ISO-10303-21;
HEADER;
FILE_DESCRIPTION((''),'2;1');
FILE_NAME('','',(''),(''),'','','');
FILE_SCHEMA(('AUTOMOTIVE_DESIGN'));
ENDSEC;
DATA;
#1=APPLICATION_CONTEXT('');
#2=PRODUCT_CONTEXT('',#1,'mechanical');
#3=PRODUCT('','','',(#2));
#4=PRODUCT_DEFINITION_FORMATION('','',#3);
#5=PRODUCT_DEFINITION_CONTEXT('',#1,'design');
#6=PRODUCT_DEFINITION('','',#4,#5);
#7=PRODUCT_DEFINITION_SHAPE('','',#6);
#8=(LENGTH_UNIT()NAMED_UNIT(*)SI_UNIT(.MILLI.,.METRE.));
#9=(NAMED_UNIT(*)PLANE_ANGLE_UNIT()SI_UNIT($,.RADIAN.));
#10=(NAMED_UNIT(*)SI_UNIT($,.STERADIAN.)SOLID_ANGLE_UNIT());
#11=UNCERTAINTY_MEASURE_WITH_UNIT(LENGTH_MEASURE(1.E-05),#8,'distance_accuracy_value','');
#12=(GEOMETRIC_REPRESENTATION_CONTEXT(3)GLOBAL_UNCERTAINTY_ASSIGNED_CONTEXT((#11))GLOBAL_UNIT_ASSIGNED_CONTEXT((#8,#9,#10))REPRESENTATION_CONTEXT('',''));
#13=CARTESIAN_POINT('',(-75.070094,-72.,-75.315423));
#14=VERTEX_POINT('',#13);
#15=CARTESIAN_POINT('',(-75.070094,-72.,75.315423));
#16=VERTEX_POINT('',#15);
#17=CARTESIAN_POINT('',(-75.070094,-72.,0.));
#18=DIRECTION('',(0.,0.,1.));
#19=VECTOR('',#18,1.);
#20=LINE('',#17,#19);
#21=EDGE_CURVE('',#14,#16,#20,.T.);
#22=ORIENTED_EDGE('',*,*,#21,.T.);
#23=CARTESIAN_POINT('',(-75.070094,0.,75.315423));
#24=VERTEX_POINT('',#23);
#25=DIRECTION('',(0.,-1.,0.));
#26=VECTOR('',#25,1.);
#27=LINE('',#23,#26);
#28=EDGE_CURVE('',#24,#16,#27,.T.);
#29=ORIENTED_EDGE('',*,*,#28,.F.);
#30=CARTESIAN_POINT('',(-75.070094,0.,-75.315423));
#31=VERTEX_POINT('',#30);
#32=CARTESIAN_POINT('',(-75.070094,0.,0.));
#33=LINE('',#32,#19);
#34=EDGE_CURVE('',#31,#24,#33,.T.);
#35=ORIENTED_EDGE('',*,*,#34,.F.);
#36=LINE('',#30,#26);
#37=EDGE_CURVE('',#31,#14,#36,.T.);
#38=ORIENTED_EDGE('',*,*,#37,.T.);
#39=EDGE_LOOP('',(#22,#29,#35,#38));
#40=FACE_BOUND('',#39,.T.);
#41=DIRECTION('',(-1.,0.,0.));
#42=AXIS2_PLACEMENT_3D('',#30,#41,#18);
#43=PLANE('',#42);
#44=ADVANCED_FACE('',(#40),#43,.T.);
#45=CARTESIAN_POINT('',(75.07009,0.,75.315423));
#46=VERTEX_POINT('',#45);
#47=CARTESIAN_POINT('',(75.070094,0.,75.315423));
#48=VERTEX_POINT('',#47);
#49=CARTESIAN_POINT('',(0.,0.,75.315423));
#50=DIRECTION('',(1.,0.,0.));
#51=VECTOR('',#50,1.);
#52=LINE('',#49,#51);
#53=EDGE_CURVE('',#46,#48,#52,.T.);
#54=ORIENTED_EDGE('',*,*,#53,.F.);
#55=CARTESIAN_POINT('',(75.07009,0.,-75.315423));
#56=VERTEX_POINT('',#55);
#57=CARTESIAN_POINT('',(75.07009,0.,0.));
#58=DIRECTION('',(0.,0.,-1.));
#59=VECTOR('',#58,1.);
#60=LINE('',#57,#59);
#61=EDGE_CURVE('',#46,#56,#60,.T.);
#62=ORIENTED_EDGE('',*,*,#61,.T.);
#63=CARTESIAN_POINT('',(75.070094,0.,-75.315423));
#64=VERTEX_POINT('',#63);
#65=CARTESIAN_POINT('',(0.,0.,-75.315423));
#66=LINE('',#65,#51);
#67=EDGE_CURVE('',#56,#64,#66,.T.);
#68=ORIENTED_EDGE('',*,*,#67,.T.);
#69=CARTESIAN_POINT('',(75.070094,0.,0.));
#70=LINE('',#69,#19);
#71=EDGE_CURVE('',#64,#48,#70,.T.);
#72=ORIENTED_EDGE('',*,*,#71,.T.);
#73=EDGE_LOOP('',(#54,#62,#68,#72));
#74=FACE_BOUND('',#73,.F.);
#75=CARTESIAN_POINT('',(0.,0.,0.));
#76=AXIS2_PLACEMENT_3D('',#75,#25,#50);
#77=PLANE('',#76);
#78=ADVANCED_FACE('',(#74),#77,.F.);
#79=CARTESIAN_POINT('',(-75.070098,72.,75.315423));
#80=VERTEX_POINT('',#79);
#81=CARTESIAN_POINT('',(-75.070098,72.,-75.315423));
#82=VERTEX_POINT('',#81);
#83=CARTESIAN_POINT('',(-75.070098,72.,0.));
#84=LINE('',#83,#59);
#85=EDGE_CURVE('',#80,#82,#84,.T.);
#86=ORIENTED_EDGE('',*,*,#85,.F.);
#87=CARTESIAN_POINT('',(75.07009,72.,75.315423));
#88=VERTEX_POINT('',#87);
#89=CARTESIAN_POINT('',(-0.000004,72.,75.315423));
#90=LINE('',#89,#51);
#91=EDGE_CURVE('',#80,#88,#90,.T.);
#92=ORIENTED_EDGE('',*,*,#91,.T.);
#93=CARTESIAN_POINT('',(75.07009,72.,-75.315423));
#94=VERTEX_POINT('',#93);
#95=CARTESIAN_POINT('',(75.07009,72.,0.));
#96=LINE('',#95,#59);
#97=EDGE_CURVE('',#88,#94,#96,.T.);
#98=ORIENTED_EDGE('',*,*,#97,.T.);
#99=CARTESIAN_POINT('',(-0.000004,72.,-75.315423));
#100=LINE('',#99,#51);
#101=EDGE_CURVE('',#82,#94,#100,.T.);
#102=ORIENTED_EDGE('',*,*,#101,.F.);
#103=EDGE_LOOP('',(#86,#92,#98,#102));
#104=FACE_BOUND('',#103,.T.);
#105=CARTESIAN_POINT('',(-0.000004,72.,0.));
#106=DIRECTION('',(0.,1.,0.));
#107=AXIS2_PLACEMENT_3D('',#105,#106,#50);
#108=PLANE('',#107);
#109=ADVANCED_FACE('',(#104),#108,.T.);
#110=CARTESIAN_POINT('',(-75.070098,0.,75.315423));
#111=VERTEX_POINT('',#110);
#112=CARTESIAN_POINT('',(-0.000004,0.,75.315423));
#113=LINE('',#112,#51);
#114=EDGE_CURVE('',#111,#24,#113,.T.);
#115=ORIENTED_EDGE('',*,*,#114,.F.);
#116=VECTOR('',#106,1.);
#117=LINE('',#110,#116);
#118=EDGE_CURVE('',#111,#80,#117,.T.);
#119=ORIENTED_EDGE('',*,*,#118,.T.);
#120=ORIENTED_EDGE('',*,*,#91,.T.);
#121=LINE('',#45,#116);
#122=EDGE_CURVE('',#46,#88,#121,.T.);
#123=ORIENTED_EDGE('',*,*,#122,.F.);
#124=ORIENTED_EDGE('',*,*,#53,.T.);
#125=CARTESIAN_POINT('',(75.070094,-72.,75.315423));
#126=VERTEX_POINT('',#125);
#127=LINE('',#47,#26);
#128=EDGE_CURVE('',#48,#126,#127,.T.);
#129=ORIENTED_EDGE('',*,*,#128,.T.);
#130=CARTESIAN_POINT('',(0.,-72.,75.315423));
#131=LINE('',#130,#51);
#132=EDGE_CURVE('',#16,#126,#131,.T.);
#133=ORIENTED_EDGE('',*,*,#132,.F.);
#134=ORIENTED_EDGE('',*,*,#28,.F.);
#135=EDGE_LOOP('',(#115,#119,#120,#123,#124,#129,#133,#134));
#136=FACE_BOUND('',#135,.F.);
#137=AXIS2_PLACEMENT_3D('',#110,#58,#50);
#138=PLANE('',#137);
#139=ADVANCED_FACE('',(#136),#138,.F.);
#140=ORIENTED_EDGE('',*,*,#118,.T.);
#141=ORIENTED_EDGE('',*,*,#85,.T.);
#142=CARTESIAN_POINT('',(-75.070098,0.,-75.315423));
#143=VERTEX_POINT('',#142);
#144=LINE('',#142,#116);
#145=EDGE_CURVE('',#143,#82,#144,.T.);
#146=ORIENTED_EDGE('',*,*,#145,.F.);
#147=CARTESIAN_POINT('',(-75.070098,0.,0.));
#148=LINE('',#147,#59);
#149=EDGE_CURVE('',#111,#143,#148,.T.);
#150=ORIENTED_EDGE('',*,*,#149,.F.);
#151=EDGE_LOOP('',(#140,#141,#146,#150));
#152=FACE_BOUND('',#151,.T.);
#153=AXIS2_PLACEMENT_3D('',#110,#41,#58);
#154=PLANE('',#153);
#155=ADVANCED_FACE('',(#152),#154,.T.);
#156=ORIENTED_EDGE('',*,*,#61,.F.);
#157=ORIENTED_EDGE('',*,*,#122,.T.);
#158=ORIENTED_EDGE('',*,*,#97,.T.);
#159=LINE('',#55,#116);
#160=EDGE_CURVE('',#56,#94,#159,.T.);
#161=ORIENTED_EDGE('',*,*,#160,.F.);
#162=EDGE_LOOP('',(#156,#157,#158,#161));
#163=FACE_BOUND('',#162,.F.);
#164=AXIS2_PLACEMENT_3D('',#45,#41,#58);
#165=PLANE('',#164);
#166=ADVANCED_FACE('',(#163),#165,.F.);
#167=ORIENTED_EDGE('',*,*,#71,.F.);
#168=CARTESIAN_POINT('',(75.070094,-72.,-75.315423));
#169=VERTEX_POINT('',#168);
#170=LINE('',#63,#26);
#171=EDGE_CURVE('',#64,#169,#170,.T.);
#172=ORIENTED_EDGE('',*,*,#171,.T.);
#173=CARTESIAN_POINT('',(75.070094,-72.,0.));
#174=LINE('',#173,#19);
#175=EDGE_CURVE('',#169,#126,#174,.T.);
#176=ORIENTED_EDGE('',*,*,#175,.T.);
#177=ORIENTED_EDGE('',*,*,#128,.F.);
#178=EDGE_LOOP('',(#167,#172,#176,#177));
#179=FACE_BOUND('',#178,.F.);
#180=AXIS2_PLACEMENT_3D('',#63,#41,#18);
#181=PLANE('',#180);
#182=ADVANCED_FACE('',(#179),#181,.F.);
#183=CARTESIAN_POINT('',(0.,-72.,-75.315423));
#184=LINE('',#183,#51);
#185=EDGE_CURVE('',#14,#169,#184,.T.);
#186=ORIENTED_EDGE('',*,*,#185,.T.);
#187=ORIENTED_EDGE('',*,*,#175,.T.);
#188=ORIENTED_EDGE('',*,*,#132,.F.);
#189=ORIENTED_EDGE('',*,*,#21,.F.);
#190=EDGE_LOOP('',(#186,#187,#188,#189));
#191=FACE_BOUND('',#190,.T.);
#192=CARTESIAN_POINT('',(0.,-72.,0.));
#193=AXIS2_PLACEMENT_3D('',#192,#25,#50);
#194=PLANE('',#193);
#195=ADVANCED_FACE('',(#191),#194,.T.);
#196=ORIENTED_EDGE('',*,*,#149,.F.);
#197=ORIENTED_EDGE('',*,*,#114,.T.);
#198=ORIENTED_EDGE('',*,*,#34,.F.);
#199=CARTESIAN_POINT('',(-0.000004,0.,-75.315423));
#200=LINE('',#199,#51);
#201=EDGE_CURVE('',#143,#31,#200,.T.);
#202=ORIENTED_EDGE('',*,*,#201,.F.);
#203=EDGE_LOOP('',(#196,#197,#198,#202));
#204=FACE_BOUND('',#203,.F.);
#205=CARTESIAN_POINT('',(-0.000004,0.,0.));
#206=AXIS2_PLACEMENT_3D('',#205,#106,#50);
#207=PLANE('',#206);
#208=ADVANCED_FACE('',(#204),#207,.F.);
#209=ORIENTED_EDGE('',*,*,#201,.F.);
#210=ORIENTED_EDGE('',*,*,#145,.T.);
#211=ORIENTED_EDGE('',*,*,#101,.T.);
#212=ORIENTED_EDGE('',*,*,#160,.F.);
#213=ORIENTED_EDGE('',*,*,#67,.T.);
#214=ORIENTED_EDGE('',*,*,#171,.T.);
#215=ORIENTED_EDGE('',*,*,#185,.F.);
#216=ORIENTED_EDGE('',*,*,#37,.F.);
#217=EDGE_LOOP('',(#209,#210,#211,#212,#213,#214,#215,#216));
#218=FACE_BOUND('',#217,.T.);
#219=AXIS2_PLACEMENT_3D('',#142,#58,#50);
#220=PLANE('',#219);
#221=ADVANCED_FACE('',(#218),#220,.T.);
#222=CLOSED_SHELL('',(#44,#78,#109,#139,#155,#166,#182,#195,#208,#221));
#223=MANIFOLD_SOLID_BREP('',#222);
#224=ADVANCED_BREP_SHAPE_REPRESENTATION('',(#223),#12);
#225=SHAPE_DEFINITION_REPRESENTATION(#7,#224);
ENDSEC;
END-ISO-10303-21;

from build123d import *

# Parameters (mm, degrees)
F0_W      = 11.530376
F0_H      = 19.135508
F1_DEPTH  = 25
F2_W      = 150.140189
F2_H      = 150.630846
F3_DEPTH  = 72
F3_FACE_W = 150.140188
F3_FACE_H = 150.630846
F4_DEPTH  = 72


with BuildPart() as f1:
    # F0 (on Front) → F1 (new body)
    with BuildSketch(Plane.XZ):
        with Locations((-0.122664, -65.257011)):
            Rectangle(F0_W, F0_H)
    extrude(amount=F1_DEPTH)

    # F2 (on Front) → F3 (join)
    with BuildSketch(Plane.XZ):
        with Locations((-4e-06, 0)):
            Rectangle(F2_W, F2_H)
    extrude(amount=F3_DEPTH)

    # F3_face (on face) → F4 (join)
    with BuildSketch(Plane(origin=(-4e-06, 0, 0), x_dir=(1, 0, 0), z_dir=(0, 1, 0))):
        Rectangle(F3_FACE_W, F3_FACE_H)
    extrude(amount=F4_DEPTH)


solid = f1.part
